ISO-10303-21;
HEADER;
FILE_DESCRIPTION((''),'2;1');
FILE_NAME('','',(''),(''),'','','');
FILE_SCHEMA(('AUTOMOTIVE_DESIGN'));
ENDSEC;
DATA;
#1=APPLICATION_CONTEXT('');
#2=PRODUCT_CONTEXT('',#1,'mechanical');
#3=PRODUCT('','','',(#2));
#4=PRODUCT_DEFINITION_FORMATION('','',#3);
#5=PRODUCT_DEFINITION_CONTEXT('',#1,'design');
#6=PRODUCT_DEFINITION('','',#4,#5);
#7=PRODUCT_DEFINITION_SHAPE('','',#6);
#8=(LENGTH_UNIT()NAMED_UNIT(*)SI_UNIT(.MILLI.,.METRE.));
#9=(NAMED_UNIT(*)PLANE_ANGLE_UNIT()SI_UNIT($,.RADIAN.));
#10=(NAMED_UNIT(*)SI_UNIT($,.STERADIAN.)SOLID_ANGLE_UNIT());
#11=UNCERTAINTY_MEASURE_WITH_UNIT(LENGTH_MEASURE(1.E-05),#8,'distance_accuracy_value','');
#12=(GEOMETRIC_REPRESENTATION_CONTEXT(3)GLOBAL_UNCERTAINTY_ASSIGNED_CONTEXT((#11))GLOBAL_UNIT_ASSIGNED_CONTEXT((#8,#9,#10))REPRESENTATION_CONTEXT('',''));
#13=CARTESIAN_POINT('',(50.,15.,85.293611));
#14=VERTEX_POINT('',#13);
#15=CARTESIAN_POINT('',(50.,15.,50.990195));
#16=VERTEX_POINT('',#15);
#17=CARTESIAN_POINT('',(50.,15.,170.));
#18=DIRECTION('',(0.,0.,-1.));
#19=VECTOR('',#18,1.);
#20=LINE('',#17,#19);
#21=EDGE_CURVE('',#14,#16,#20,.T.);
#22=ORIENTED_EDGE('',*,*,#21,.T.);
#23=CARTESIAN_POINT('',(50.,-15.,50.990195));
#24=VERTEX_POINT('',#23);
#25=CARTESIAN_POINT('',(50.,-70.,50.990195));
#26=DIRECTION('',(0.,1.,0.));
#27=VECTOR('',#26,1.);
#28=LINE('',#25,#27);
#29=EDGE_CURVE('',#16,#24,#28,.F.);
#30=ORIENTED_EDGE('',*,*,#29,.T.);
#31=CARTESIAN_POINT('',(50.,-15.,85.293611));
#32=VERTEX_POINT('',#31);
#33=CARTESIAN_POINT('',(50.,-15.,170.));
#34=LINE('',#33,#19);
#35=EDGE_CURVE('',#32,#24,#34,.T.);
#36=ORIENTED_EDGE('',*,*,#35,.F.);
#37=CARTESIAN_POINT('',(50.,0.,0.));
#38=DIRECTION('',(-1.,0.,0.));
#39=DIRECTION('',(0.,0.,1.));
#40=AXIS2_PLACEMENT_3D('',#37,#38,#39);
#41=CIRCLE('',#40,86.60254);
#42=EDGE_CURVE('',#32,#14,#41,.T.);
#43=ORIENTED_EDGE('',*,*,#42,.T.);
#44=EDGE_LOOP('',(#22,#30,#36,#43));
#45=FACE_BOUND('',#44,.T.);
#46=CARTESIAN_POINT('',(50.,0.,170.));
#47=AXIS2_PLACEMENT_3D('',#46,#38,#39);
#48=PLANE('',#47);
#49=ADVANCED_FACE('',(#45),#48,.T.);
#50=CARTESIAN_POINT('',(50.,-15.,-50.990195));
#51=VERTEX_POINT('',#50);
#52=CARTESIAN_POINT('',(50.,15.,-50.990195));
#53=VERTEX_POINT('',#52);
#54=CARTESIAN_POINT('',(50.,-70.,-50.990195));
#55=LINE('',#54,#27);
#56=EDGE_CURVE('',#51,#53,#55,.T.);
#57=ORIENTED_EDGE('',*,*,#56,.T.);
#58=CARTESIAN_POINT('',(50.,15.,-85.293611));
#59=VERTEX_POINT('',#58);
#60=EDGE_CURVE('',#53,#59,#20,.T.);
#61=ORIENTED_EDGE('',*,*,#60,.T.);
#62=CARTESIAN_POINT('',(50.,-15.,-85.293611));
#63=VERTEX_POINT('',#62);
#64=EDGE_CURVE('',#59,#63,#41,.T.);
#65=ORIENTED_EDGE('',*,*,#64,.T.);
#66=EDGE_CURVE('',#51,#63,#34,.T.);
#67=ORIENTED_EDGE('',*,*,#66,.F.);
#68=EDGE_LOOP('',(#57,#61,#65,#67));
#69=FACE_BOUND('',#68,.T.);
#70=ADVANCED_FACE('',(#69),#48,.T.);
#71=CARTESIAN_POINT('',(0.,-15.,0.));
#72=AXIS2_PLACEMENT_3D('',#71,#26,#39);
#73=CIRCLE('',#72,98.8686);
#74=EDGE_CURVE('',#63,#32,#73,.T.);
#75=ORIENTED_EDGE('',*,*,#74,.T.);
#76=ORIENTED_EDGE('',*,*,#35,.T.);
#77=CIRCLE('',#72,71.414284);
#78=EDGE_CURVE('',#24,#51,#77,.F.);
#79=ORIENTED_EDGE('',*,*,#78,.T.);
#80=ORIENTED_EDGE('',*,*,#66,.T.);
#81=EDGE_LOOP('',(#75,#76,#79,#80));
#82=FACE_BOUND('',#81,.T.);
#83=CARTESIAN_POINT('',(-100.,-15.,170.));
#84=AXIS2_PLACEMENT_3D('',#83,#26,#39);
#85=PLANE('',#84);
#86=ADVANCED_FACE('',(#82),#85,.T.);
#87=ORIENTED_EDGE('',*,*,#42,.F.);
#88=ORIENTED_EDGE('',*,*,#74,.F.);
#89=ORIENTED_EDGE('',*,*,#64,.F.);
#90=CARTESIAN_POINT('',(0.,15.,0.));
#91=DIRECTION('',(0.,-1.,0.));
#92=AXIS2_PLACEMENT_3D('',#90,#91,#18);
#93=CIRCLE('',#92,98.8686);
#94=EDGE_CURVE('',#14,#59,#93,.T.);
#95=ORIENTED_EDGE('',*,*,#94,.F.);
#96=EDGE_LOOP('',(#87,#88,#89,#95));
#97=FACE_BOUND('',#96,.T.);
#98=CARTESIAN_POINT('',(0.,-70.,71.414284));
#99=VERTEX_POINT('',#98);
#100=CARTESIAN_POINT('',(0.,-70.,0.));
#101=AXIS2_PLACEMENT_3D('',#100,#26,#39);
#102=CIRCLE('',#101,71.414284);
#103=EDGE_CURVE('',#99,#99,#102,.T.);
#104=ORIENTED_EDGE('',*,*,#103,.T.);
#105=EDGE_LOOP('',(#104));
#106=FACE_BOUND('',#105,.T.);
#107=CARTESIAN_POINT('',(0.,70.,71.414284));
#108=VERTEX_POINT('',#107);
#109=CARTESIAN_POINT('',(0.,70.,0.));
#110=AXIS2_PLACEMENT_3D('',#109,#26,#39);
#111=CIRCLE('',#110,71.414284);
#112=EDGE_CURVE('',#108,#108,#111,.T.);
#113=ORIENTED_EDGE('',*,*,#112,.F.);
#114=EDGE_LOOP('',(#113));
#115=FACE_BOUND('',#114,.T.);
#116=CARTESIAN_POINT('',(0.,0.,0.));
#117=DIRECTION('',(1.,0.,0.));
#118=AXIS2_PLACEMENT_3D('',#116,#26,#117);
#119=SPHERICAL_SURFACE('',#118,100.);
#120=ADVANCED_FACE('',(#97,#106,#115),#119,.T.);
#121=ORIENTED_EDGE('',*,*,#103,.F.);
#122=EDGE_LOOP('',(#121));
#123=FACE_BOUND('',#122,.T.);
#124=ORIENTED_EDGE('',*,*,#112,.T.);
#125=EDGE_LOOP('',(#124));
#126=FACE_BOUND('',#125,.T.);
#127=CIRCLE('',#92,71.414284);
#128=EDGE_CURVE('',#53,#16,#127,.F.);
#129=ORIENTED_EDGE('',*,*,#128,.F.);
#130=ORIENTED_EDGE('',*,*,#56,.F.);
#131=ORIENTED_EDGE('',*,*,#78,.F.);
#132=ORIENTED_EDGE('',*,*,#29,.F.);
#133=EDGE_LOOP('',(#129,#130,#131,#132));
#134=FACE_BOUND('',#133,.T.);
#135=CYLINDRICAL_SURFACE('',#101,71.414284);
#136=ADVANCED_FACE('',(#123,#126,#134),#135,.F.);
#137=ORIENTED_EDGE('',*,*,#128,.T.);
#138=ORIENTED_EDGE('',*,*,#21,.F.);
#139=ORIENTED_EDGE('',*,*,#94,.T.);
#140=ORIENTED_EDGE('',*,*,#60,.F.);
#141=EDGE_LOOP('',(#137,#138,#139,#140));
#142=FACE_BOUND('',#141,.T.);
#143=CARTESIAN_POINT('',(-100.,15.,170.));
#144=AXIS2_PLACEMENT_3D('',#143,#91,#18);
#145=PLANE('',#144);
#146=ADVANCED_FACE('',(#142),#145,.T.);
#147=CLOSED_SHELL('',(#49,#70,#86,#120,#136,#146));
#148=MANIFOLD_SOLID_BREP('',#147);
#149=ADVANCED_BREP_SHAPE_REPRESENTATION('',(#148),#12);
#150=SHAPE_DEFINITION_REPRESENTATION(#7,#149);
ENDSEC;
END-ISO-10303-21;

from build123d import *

# Parameters (mm, degrees)
CROQUIS3_W                 = 20
CROQUIS3_H                 = 6
CROQUIS4_W                 = 20
CROQUIS4_H                 = 6
CROQUIS8_R                 = 14.282856857
CORTAR_EXTRUIR2_DEPTH      = 40.799497484
CORTAR_EXTRUIR3_DEPTH      = 34
CORTAR_EXTRUIR3_DEPTH_BACK = 34
ESCALA1_SCALE              = 5


with BuildPart() as part:
    # Croquis1 → Revolución1 (revolve)
    with BuildSketch(Plane.XY):
        with BuildLine():
            Line((0, 20), (0, -20))
            ThreePointArc((0, -20), (20, 0), (0, 20))
        make_face()
    revolve(axis=Axis((0, 27.452088109, 0), (0, -1, 0)))

    # Croquis3 → Cortar-Revolución1 (revolve, cut)
    with BuildSketch(Plane.XY):
        with Locations((-10, 17)):
            Rectangle(CROQUIS3_W, CROQUIS3_H)
    revolve(axis=Axis((0, 20, 0), (0, -1, 0)), mode=Mode.SUBTRACT)

    # Croquis4 → Cortar-Revolución2 (revolve, cut)
    with BuildSketch(Plane.XY):
        with Locations((10, -17)):
            Rectangle(CROQUIS4_W, CROQUIS4_H)
    revolve(axis=Axis((0, 0, 0), (0, -1, 0)), mode=Mode.SUBTRACT)

    # Croquis8 → Cortar-Extruir2 (cut, through all)
    with BuildSketch(Plane(origin=(0, 14, 0), x_dir=(1, 0, 0), z_dir=(0, 1, 0))):
        Circle(CROQUIS8_R)
    extrude(amount=-CORTAR_EXTRUIR2_DEPTH, mode=Mode.SUBTRACT)

    # Croquis9 → Cortar-Extruir3 (cut, two sides: drawn at the far end of the back side and taken through both)
    with BuildSketch(Plane.XY.offset(-CORTAR_EXTRUIR3_DEPTH_BACK)):
        Polygon((-20, -3), (10, -3), (10, 0), (10, 3), (-20, 3), align=None)
    extrude(amount=CORTAR_EXTRUIR3_DEPTH + CORTAR_EXTRUIR3_DEPTH_BACK, mode=Mode.SUBTRACT)


with BuildPart() as part_1:
    # Escala1: scaled about (0, 0, 0)
    add(part.part.scale(ESCALA1_SCALE))


solid = part_1.part
